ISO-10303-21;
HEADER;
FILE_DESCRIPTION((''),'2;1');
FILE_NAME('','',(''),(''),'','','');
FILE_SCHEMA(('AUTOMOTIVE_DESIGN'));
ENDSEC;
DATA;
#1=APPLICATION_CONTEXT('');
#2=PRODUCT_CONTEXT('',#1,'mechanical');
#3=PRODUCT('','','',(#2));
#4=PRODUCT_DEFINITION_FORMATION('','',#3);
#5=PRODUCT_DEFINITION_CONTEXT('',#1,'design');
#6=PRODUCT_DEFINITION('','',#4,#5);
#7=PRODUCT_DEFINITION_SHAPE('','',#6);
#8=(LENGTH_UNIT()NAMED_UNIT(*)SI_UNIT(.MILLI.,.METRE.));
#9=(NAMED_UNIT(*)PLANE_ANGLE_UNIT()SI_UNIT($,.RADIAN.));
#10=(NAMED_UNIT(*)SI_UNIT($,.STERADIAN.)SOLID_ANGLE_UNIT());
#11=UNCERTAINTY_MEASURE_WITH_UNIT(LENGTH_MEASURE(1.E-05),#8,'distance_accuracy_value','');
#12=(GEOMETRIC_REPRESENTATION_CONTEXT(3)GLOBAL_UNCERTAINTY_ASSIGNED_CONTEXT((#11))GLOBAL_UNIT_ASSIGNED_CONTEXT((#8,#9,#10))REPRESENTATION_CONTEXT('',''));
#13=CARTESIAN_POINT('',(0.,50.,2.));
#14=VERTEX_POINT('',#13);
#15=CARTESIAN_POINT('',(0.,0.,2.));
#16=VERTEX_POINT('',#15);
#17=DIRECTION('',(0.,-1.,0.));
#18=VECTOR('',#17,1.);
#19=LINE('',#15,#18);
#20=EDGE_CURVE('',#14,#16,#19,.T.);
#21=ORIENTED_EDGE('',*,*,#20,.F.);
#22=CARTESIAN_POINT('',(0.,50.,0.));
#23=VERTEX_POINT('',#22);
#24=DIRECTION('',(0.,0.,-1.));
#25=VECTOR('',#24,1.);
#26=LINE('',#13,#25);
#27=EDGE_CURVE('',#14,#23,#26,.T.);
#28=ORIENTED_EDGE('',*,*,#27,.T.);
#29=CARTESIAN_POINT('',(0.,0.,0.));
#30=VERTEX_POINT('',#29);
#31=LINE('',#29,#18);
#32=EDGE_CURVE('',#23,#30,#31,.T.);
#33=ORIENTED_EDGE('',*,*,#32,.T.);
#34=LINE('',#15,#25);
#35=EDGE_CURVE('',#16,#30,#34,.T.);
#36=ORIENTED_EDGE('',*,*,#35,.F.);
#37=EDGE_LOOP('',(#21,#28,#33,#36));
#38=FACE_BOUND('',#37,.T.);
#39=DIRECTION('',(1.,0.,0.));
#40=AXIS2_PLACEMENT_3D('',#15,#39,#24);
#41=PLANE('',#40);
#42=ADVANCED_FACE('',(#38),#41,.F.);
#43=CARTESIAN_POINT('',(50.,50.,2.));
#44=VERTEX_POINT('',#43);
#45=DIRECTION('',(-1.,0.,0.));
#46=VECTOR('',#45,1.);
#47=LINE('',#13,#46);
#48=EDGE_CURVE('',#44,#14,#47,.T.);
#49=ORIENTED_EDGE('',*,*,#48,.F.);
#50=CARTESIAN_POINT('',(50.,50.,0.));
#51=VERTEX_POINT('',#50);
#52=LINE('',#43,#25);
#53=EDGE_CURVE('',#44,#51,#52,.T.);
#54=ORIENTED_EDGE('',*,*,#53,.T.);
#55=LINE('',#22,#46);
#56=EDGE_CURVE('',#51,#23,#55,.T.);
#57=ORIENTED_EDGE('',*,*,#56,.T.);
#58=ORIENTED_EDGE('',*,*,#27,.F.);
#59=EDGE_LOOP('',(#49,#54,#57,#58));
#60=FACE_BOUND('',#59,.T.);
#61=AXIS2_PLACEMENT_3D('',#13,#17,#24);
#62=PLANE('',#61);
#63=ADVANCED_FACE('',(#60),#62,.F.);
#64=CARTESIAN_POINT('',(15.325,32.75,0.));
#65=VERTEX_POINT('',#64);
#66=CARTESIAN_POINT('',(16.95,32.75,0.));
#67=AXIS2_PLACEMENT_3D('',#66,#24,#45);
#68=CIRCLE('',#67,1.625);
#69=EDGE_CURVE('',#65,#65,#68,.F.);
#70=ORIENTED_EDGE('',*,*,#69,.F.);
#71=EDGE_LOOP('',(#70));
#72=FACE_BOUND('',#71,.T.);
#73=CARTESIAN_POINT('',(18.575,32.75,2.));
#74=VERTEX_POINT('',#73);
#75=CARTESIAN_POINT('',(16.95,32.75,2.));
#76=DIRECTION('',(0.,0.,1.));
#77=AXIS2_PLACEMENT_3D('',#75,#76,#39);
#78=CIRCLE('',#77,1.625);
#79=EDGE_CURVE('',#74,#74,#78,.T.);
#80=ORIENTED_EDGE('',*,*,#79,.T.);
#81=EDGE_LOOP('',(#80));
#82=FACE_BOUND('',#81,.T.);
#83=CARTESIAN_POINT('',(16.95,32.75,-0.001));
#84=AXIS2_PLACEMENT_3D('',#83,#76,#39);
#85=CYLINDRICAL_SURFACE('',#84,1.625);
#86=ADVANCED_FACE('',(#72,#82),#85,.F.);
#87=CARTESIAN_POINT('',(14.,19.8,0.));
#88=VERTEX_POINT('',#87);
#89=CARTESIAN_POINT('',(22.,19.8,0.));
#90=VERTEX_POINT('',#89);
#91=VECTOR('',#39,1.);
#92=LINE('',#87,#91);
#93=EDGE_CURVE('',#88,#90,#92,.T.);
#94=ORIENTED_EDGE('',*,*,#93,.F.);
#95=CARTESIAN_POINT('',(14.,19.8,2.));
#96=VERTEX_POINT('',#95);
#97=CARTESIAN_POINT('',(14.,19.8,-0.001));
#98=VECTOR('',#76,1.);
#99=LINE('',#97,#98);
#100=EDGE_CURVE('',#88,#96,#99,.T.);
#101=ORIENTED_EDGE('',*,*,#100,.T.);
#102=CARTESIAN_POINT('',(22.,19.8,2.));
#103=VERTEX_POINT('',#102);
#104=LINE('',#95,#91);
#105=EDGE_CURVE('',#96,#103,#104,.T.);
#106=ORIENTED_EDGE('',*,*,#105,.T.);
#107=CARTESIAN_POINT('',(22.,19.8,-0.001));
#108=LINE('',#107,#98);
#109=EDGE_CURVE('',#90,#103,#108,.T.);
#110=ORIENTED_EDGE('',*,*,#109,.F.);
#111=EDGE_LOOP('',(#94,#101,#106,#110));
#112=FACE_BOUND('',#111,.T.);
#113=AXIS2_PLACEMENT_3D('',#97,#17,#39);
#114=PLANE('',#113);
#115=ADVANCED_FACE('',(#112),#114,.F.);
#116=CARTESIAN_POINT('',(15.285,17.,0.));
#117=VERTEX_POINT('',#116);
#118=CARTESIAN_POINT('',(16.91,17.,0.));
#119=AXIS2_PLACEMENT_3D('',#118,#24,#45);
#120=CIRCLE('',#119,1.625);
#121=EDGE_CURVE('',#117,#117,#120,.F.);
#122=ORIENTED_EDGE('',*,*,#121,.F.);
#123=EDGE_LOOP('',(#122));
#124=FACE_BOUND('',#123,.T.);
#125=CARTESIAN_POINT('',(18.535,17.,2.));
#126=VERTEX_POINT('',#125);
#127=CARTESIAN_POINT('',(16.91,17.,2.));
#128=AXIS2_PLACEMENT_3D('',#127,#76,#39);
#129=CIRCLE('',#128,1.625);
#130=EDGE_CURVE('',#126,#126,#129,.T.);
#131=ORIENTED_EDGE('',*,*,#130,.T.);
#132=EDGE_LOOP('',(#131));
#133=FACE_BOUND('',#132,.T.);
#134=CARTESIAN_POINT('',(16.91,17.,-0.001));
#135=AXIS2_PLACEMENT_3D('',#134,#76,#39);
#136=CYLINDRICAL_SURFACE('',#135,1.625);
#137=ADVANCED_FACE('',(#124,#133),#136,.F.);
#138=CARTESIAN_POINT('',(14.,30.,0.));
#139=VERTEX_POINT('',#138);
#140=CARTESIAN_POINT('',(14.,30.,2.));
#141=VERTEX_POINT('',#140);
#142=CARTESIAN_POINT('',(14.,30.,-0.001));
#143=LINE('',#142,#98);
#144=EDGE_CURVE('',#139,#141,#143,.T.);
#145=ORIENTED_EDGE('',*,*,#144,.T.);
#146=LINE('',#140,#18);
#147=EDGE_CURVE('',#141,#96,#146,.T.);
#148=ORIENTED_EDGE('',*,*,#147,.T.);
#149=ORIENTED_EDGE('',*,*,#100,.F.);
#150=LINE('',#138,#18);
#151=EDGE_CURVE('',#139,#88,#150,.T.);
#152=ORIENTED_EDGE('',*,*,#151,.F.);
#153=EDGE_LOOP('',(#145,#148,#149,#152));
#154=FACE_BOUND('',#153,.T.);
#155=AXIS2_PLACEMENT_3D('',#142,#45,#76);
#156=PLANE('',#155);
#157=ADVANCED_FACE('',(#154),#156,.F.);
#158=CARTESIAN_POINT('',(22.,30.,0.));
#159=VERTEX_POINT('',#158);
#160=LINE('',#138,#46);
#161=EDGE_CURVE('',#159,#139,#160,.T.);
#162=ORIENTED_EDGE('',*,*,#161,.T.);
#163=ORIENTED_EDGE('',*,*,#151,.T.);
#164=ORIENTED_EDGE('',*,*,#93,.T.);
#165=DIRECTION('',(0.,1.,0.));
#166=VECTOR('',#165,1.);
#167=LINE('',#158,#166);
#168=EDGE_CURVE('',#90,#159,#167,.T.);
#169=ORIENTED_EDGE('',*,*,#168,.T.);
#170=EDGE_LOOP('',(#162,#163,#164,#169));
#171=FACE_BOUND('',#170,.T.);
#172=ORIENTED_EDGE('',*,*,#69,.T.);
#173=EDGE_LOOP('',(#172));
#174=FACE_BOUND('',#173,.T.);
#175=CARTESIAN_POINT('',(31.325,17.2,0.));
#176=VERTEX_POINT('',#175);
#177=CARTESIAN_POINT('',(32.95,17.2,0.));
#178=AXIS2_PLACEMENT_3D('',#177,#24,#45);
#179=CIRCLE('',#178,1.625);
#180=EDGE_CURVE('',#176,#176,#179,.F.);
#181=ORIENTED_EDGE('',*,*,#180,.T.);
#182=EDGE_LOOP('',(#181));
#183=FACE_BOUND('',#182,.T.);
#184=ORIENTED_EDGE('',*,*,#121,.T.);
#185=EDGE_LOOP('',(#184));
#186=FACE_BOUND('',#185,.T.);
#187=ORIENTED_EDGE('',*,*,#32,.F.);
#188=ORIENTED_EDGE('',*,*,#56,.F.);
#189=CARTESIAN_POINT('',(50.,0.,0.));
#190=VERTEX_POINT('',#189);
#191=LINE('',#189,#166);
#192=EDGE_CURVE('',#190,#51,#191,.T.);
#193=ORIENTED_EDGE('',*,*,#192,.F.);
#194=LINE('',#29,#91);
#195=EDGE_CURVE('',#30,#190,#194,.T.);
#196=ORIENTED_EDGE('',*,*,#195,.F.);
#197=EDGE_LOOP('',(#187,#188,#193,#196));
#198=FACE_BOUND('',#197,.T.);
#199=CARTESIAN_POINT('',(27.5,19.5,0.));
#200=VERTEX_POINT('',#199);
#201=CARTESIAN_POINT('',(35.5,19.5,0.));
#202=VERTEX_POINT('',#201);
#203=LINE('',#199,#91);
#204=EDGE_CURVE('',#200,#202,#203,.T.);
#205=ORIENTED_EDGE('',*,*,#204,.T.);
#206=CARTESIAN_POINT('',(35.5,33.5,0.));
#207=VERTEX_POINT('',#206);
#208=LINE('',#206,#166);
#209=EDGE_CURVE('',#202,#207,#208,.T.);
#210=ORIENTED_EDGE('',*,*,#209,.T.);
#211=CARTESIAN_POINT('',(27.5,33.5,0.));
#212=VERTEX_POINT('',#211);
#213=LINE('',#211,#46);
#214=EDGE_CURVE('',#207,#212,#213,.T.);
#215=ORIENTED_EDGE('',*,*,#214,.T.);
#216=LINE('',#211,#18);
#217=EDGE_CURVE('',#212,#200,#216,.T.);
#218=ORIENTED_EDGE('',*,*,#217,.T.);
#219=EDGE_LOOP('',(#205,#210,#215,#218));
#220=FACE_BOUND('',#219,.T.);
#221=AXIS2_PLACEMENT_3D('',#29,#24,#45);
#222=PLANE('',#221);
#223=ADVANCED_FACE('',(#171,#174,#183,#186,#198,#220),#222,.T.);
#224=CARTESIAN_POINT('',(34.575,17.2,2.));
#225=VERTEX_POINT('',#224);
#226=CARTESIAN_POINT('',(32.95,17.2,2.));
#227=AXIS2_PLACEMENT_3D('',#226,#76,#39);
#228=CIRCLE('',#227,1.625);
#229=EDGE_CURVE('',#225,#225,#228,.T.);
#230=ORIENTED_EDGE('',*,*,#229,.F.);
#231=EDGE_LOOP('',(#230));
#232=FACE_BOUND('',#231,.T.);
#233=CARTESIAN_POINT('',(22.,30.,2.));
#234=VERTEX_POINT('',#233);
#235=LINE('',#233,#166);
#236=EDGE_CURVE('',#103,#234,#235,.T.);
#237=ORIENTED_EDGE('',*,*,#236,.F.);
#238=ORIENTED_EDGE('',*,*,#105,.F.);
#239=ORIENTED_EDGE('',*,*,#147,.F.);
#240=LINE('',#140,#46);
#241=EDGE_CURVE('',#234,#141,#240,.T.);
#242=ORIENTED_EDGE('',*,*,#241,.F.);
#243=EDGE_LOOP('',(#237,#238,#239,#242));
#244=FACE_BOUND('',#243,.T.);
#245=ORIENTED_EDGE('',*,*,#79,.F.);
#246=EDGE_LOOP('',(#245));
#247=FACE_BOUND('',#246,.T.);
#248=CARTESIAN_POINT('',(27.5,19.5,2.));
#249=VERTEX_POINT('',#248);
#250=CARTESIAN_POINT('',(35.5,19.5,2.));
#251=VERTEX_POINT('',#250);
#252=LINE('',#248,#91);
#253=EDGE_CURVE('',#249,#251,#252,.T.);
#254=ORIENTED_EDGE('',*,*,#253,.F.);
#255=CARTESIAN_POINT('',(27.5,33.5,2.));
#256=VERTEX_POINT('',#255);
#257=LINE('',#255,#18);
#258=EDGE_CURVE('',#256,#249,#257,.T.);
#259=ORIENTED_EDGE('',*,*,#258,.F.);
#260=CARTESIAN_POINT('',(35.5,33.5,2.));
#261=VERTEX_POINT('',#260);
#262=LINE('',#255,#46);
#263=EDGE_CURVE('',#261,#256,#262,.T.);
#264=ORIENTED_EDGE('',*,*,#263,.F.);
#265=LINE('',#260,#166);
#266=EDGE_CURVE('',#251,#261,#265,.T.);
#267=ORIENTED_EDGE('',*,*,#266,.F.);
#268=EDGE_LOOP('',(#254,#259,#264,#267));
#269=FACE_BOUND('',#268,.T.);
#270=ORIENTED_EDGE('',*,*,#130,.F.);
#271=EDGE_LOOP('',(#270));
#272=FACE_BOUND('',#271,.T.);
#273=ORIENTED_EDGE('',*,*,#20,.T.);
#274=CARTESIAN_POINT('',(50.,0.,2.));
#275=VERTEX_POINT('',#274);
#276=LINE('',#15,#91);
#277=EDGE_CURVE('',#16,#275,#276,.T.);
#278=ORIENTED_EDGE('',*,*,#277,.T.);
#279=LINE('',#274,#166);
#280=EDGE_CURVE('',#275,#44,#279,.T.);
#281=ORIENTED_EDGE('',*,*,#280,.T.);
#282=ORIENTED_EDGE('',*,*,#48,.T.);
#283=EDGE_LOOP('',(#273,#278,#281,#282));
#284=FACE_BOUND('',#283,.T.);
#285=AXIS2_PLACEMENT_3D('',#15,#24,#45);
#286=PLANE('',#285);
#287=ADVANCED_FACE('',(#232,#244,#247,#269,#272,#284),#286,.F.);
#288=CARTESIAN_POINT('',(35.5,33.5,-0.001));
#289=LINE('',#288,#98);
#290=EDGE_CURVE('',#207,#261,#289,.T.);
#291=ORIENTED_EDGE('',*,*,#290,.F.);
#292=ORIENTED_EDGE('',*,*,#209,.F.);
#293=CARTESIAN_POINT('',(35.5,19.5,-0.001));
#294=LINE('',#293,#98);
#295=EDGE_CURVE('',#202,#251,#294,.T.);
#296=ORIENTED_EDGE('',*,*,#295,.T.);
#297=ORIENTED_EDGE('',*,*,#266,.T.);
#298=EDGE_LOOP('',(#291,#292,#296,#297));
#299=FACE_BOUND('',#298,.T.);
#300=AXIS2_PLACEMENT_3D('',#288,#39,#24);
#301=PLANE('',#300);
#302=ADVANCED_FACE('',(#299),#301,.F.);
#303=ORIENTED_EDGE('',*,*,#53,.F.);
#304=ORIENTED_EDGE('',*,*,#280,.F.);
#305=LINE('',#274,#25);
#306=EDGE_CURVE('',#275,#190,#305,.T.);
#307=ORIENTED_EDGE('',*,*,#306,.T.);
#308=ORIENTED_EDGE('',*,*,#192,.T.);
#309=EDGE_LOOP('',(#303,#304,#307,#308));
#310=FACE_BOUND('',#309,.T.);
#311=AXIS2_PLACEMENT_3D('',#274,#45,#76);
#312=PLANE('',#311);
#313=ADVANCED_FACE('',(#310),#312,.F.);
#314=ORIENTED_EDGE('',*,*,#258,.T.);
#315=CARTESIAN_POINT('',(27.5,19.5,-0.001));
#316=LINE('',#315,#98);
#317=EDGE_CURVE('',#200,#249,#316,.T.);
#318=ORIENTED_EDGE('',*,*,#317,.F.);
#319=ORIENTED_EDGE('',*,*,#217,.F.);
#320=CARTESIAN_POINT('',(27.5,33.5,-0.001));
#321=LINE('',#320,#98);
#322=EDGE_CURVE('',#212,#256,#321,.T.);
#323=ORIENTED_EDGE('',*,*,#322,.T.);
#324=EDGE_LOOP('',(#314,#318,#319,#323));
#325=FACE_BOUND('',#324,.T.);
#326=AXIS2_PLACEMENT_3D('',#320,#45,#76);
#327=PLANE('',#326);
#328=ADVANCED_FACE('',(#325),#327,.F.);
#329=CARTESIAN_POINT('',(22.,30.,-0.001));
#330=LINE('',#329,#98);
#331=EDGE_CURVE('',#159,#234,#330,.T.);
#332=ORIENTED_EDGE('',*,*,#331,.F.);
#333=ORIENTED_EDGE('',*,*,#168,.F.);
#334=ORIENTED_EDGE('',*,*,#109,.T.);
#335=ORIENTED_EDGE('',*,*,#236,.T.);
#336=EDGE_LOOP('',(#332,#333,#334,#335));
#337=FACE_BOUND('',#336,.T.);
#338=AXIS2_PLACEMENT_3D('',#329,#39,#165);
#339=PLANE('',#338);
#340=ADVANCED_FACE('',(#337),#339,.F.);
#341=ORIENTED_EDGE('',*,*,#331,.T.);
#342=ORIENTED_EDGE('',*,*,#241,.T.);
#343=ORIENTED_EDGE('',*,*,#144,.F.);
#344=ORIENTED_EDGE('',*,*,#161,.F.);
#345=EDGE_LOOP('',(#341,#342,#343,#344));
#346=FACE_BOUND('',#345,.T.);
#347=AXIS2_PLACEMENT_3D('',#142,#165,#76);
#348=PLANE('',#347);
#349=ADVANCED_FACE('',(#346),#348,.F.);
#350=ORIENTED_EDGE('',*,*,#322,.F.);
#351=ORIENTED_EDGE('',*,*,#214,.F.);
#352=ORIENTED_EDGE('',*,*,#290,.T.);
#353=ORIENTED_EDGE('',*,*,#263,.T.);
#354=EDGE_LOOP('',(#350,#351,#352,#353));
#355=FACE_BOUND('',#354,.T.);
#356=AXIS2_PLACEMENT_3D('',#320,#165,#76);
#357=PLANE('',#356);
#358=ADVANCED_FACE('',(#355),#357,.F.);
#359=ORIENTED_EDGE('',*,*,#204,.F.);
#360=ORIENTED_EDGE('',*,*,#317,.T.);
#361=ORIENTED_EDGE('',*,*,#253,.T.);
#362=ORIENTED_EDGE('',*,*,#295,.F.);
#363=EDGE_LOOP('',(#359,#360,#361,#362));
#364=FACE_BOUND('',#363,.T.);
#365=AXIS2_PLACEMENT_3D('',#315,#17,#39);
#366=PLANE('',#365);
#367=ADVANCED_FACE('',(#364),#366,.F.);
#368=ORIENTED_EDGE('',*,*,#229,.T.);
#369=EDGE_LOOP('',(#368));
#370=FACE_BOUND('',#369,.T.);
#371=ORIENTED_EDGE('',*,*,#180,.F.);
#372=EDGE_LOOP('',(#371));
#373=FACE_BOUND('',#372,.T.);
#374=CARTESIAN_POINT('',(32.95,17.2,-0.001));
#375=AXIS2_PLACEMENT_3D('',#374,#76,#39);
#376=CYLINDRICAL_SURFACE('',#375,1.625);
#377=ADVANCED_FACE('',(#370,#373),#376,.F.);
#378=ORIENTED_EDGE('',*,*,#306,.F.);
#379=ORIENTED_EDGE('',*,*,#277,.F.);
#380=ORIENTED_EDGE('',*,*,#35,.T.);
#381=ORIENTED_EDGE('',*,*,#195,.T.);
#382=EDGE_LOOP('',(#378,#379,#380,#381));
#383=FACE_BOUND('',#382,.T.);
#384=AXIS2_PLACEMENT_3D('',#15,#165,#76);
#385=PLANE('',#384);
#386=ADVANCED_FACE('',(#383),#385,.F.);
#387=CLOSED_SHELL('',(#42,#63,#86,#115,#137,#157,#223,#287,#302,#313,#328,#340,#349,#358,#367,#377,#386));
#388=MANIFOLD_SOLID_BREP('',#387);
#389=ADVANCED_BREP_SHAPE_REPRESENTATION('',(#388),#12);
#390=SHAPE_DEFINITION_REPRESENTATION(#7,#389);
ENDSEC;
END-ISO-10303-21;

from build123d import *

# Parameters (mm, degrees)
SKETCH1_W           = 50
SKETCH1_H           = 50
BOSS_EXTRUDE1_DEPTH = 2
CUT_EXTRUDE1_REACH  = 72.739
SKETCH2_R           = 1.625
CUT_EXTRUDE2_REACH  = 72.739
SKETCH3_W           = 8
SKETCH3_H           = 10.2
SKETCH3_H_2         = 14


with BuildPart() as part:
    # Sketch1 → Boss-Extrude1 (new body)
    with BuildSketch(Plane.XY):
        with Locations((25, 25)):
            Rectangle(SKETCH1_W, SKETCH1_H)
    extrude(amount=BOSS_EXTRUDE1_DEPTH)

    # Sketch2 → Cut-Extrude1 (cut, up to next)
    with BuildSketch(Plane.XY.offset(2), mode=Mode.PRIVATE) as cut_extrude1_sk1:
        with Locations((16.95, 32.75)):
            Circle(SKETCH2_R)
    cut_extrude1_tool1 = extrude(cut_extrude1_sk1.sketch, amount=-CUT_EXTRUDE1_REACH, mode=Mode.PRIVATE) & part.part
    # Sketch2 → Cut-Extrude1 (cut, up to next)
    with BuildSketch(Plane.XY.offset(2), mode=Mode.PRIVATE) as cut_extrude1_sk2:
        with Locations((16.91, 17)):
            Circle(SKETCH2_R)
    cut_extrude1_tool2 = extrude(cut_extrude1_sk2.sketch, amount=-CUT_EXTRUDE1_REACH, mode=Mode.PRIVATE) & part.part
    # Sketch2 → Cut-Extrude1 (cut, up to next)
    with BuildSketch(Plane.XY.offset(2), mode=Mode.PRIVATE) as cut_extrude1_sk3:
        with Locations((32.95, 17.2)):
            Circle(SKETCH2_R)
    cut_extrude1_tool3 = extrude(cut_extrude1_sk3.sketch, amount=-CUT_EXTRUDE1_REACH, mode=Mode.PRIVATE) & part.part
    add(cut_extrude1_tool1.solids().sort_by_distance((16.95, 32.75, 2))[0], mode=Mode.SUBTRACT)
    add(cut_extrude1_tool2.solids().sort_by_distance((16.91, 17, 2))[0], mode=Mode.SUBTRACT)
    add(cut_extrude1_tool3.solids().sort_by_distance((32.95, 17.2, 2))[0], mode=Mode.SUBTRACT)

    # Sketch3 → Cut-Extrude2 (cut, up to next)
    with BuildSketch(Plane.XY.offset(2), mode=Mode.PRIVATE) as cut_extrude2_sk1:
        with Locations((18, 24.9)):
            Rectangle(SKETCH3_W, SKETCH3_H)
    cut_extrude2_tool1 = extrude(cut_extrude2_sk1.sketch, amount=-CUT_EXTRUDE2_REACH, mode=Mode.PRIVATE) & part.part
    # Sketch3 → Cut-Extrude2 (cut, up to next)
    with BuildSketch(Plane.XY.offset(2), mode=Mode.PRIVATE) as cut_extrude2_sk2:
        with Locations((31.5, 26.5)):
            Rectangle(SKETCH3_W, SKETCH3_H_2)
    cut_extrude2_tool2 = extrude(cut_extrude2_sk2.sketch, amount=-CUT_EXTRUDE2_REACH, mode=Mode.PRIVATE) & part.part
    add(cut_extrude2_tool1.solids().sort_by_distance((18, 24.9, 2))[0], mode=Mode.SUBTRACT)
    add(cut_extrude2_tool2.solids().sort_by_distance((31.5, 26.5, 2))[0], mode=Mode.SUBTRACT)


solid = part.part
